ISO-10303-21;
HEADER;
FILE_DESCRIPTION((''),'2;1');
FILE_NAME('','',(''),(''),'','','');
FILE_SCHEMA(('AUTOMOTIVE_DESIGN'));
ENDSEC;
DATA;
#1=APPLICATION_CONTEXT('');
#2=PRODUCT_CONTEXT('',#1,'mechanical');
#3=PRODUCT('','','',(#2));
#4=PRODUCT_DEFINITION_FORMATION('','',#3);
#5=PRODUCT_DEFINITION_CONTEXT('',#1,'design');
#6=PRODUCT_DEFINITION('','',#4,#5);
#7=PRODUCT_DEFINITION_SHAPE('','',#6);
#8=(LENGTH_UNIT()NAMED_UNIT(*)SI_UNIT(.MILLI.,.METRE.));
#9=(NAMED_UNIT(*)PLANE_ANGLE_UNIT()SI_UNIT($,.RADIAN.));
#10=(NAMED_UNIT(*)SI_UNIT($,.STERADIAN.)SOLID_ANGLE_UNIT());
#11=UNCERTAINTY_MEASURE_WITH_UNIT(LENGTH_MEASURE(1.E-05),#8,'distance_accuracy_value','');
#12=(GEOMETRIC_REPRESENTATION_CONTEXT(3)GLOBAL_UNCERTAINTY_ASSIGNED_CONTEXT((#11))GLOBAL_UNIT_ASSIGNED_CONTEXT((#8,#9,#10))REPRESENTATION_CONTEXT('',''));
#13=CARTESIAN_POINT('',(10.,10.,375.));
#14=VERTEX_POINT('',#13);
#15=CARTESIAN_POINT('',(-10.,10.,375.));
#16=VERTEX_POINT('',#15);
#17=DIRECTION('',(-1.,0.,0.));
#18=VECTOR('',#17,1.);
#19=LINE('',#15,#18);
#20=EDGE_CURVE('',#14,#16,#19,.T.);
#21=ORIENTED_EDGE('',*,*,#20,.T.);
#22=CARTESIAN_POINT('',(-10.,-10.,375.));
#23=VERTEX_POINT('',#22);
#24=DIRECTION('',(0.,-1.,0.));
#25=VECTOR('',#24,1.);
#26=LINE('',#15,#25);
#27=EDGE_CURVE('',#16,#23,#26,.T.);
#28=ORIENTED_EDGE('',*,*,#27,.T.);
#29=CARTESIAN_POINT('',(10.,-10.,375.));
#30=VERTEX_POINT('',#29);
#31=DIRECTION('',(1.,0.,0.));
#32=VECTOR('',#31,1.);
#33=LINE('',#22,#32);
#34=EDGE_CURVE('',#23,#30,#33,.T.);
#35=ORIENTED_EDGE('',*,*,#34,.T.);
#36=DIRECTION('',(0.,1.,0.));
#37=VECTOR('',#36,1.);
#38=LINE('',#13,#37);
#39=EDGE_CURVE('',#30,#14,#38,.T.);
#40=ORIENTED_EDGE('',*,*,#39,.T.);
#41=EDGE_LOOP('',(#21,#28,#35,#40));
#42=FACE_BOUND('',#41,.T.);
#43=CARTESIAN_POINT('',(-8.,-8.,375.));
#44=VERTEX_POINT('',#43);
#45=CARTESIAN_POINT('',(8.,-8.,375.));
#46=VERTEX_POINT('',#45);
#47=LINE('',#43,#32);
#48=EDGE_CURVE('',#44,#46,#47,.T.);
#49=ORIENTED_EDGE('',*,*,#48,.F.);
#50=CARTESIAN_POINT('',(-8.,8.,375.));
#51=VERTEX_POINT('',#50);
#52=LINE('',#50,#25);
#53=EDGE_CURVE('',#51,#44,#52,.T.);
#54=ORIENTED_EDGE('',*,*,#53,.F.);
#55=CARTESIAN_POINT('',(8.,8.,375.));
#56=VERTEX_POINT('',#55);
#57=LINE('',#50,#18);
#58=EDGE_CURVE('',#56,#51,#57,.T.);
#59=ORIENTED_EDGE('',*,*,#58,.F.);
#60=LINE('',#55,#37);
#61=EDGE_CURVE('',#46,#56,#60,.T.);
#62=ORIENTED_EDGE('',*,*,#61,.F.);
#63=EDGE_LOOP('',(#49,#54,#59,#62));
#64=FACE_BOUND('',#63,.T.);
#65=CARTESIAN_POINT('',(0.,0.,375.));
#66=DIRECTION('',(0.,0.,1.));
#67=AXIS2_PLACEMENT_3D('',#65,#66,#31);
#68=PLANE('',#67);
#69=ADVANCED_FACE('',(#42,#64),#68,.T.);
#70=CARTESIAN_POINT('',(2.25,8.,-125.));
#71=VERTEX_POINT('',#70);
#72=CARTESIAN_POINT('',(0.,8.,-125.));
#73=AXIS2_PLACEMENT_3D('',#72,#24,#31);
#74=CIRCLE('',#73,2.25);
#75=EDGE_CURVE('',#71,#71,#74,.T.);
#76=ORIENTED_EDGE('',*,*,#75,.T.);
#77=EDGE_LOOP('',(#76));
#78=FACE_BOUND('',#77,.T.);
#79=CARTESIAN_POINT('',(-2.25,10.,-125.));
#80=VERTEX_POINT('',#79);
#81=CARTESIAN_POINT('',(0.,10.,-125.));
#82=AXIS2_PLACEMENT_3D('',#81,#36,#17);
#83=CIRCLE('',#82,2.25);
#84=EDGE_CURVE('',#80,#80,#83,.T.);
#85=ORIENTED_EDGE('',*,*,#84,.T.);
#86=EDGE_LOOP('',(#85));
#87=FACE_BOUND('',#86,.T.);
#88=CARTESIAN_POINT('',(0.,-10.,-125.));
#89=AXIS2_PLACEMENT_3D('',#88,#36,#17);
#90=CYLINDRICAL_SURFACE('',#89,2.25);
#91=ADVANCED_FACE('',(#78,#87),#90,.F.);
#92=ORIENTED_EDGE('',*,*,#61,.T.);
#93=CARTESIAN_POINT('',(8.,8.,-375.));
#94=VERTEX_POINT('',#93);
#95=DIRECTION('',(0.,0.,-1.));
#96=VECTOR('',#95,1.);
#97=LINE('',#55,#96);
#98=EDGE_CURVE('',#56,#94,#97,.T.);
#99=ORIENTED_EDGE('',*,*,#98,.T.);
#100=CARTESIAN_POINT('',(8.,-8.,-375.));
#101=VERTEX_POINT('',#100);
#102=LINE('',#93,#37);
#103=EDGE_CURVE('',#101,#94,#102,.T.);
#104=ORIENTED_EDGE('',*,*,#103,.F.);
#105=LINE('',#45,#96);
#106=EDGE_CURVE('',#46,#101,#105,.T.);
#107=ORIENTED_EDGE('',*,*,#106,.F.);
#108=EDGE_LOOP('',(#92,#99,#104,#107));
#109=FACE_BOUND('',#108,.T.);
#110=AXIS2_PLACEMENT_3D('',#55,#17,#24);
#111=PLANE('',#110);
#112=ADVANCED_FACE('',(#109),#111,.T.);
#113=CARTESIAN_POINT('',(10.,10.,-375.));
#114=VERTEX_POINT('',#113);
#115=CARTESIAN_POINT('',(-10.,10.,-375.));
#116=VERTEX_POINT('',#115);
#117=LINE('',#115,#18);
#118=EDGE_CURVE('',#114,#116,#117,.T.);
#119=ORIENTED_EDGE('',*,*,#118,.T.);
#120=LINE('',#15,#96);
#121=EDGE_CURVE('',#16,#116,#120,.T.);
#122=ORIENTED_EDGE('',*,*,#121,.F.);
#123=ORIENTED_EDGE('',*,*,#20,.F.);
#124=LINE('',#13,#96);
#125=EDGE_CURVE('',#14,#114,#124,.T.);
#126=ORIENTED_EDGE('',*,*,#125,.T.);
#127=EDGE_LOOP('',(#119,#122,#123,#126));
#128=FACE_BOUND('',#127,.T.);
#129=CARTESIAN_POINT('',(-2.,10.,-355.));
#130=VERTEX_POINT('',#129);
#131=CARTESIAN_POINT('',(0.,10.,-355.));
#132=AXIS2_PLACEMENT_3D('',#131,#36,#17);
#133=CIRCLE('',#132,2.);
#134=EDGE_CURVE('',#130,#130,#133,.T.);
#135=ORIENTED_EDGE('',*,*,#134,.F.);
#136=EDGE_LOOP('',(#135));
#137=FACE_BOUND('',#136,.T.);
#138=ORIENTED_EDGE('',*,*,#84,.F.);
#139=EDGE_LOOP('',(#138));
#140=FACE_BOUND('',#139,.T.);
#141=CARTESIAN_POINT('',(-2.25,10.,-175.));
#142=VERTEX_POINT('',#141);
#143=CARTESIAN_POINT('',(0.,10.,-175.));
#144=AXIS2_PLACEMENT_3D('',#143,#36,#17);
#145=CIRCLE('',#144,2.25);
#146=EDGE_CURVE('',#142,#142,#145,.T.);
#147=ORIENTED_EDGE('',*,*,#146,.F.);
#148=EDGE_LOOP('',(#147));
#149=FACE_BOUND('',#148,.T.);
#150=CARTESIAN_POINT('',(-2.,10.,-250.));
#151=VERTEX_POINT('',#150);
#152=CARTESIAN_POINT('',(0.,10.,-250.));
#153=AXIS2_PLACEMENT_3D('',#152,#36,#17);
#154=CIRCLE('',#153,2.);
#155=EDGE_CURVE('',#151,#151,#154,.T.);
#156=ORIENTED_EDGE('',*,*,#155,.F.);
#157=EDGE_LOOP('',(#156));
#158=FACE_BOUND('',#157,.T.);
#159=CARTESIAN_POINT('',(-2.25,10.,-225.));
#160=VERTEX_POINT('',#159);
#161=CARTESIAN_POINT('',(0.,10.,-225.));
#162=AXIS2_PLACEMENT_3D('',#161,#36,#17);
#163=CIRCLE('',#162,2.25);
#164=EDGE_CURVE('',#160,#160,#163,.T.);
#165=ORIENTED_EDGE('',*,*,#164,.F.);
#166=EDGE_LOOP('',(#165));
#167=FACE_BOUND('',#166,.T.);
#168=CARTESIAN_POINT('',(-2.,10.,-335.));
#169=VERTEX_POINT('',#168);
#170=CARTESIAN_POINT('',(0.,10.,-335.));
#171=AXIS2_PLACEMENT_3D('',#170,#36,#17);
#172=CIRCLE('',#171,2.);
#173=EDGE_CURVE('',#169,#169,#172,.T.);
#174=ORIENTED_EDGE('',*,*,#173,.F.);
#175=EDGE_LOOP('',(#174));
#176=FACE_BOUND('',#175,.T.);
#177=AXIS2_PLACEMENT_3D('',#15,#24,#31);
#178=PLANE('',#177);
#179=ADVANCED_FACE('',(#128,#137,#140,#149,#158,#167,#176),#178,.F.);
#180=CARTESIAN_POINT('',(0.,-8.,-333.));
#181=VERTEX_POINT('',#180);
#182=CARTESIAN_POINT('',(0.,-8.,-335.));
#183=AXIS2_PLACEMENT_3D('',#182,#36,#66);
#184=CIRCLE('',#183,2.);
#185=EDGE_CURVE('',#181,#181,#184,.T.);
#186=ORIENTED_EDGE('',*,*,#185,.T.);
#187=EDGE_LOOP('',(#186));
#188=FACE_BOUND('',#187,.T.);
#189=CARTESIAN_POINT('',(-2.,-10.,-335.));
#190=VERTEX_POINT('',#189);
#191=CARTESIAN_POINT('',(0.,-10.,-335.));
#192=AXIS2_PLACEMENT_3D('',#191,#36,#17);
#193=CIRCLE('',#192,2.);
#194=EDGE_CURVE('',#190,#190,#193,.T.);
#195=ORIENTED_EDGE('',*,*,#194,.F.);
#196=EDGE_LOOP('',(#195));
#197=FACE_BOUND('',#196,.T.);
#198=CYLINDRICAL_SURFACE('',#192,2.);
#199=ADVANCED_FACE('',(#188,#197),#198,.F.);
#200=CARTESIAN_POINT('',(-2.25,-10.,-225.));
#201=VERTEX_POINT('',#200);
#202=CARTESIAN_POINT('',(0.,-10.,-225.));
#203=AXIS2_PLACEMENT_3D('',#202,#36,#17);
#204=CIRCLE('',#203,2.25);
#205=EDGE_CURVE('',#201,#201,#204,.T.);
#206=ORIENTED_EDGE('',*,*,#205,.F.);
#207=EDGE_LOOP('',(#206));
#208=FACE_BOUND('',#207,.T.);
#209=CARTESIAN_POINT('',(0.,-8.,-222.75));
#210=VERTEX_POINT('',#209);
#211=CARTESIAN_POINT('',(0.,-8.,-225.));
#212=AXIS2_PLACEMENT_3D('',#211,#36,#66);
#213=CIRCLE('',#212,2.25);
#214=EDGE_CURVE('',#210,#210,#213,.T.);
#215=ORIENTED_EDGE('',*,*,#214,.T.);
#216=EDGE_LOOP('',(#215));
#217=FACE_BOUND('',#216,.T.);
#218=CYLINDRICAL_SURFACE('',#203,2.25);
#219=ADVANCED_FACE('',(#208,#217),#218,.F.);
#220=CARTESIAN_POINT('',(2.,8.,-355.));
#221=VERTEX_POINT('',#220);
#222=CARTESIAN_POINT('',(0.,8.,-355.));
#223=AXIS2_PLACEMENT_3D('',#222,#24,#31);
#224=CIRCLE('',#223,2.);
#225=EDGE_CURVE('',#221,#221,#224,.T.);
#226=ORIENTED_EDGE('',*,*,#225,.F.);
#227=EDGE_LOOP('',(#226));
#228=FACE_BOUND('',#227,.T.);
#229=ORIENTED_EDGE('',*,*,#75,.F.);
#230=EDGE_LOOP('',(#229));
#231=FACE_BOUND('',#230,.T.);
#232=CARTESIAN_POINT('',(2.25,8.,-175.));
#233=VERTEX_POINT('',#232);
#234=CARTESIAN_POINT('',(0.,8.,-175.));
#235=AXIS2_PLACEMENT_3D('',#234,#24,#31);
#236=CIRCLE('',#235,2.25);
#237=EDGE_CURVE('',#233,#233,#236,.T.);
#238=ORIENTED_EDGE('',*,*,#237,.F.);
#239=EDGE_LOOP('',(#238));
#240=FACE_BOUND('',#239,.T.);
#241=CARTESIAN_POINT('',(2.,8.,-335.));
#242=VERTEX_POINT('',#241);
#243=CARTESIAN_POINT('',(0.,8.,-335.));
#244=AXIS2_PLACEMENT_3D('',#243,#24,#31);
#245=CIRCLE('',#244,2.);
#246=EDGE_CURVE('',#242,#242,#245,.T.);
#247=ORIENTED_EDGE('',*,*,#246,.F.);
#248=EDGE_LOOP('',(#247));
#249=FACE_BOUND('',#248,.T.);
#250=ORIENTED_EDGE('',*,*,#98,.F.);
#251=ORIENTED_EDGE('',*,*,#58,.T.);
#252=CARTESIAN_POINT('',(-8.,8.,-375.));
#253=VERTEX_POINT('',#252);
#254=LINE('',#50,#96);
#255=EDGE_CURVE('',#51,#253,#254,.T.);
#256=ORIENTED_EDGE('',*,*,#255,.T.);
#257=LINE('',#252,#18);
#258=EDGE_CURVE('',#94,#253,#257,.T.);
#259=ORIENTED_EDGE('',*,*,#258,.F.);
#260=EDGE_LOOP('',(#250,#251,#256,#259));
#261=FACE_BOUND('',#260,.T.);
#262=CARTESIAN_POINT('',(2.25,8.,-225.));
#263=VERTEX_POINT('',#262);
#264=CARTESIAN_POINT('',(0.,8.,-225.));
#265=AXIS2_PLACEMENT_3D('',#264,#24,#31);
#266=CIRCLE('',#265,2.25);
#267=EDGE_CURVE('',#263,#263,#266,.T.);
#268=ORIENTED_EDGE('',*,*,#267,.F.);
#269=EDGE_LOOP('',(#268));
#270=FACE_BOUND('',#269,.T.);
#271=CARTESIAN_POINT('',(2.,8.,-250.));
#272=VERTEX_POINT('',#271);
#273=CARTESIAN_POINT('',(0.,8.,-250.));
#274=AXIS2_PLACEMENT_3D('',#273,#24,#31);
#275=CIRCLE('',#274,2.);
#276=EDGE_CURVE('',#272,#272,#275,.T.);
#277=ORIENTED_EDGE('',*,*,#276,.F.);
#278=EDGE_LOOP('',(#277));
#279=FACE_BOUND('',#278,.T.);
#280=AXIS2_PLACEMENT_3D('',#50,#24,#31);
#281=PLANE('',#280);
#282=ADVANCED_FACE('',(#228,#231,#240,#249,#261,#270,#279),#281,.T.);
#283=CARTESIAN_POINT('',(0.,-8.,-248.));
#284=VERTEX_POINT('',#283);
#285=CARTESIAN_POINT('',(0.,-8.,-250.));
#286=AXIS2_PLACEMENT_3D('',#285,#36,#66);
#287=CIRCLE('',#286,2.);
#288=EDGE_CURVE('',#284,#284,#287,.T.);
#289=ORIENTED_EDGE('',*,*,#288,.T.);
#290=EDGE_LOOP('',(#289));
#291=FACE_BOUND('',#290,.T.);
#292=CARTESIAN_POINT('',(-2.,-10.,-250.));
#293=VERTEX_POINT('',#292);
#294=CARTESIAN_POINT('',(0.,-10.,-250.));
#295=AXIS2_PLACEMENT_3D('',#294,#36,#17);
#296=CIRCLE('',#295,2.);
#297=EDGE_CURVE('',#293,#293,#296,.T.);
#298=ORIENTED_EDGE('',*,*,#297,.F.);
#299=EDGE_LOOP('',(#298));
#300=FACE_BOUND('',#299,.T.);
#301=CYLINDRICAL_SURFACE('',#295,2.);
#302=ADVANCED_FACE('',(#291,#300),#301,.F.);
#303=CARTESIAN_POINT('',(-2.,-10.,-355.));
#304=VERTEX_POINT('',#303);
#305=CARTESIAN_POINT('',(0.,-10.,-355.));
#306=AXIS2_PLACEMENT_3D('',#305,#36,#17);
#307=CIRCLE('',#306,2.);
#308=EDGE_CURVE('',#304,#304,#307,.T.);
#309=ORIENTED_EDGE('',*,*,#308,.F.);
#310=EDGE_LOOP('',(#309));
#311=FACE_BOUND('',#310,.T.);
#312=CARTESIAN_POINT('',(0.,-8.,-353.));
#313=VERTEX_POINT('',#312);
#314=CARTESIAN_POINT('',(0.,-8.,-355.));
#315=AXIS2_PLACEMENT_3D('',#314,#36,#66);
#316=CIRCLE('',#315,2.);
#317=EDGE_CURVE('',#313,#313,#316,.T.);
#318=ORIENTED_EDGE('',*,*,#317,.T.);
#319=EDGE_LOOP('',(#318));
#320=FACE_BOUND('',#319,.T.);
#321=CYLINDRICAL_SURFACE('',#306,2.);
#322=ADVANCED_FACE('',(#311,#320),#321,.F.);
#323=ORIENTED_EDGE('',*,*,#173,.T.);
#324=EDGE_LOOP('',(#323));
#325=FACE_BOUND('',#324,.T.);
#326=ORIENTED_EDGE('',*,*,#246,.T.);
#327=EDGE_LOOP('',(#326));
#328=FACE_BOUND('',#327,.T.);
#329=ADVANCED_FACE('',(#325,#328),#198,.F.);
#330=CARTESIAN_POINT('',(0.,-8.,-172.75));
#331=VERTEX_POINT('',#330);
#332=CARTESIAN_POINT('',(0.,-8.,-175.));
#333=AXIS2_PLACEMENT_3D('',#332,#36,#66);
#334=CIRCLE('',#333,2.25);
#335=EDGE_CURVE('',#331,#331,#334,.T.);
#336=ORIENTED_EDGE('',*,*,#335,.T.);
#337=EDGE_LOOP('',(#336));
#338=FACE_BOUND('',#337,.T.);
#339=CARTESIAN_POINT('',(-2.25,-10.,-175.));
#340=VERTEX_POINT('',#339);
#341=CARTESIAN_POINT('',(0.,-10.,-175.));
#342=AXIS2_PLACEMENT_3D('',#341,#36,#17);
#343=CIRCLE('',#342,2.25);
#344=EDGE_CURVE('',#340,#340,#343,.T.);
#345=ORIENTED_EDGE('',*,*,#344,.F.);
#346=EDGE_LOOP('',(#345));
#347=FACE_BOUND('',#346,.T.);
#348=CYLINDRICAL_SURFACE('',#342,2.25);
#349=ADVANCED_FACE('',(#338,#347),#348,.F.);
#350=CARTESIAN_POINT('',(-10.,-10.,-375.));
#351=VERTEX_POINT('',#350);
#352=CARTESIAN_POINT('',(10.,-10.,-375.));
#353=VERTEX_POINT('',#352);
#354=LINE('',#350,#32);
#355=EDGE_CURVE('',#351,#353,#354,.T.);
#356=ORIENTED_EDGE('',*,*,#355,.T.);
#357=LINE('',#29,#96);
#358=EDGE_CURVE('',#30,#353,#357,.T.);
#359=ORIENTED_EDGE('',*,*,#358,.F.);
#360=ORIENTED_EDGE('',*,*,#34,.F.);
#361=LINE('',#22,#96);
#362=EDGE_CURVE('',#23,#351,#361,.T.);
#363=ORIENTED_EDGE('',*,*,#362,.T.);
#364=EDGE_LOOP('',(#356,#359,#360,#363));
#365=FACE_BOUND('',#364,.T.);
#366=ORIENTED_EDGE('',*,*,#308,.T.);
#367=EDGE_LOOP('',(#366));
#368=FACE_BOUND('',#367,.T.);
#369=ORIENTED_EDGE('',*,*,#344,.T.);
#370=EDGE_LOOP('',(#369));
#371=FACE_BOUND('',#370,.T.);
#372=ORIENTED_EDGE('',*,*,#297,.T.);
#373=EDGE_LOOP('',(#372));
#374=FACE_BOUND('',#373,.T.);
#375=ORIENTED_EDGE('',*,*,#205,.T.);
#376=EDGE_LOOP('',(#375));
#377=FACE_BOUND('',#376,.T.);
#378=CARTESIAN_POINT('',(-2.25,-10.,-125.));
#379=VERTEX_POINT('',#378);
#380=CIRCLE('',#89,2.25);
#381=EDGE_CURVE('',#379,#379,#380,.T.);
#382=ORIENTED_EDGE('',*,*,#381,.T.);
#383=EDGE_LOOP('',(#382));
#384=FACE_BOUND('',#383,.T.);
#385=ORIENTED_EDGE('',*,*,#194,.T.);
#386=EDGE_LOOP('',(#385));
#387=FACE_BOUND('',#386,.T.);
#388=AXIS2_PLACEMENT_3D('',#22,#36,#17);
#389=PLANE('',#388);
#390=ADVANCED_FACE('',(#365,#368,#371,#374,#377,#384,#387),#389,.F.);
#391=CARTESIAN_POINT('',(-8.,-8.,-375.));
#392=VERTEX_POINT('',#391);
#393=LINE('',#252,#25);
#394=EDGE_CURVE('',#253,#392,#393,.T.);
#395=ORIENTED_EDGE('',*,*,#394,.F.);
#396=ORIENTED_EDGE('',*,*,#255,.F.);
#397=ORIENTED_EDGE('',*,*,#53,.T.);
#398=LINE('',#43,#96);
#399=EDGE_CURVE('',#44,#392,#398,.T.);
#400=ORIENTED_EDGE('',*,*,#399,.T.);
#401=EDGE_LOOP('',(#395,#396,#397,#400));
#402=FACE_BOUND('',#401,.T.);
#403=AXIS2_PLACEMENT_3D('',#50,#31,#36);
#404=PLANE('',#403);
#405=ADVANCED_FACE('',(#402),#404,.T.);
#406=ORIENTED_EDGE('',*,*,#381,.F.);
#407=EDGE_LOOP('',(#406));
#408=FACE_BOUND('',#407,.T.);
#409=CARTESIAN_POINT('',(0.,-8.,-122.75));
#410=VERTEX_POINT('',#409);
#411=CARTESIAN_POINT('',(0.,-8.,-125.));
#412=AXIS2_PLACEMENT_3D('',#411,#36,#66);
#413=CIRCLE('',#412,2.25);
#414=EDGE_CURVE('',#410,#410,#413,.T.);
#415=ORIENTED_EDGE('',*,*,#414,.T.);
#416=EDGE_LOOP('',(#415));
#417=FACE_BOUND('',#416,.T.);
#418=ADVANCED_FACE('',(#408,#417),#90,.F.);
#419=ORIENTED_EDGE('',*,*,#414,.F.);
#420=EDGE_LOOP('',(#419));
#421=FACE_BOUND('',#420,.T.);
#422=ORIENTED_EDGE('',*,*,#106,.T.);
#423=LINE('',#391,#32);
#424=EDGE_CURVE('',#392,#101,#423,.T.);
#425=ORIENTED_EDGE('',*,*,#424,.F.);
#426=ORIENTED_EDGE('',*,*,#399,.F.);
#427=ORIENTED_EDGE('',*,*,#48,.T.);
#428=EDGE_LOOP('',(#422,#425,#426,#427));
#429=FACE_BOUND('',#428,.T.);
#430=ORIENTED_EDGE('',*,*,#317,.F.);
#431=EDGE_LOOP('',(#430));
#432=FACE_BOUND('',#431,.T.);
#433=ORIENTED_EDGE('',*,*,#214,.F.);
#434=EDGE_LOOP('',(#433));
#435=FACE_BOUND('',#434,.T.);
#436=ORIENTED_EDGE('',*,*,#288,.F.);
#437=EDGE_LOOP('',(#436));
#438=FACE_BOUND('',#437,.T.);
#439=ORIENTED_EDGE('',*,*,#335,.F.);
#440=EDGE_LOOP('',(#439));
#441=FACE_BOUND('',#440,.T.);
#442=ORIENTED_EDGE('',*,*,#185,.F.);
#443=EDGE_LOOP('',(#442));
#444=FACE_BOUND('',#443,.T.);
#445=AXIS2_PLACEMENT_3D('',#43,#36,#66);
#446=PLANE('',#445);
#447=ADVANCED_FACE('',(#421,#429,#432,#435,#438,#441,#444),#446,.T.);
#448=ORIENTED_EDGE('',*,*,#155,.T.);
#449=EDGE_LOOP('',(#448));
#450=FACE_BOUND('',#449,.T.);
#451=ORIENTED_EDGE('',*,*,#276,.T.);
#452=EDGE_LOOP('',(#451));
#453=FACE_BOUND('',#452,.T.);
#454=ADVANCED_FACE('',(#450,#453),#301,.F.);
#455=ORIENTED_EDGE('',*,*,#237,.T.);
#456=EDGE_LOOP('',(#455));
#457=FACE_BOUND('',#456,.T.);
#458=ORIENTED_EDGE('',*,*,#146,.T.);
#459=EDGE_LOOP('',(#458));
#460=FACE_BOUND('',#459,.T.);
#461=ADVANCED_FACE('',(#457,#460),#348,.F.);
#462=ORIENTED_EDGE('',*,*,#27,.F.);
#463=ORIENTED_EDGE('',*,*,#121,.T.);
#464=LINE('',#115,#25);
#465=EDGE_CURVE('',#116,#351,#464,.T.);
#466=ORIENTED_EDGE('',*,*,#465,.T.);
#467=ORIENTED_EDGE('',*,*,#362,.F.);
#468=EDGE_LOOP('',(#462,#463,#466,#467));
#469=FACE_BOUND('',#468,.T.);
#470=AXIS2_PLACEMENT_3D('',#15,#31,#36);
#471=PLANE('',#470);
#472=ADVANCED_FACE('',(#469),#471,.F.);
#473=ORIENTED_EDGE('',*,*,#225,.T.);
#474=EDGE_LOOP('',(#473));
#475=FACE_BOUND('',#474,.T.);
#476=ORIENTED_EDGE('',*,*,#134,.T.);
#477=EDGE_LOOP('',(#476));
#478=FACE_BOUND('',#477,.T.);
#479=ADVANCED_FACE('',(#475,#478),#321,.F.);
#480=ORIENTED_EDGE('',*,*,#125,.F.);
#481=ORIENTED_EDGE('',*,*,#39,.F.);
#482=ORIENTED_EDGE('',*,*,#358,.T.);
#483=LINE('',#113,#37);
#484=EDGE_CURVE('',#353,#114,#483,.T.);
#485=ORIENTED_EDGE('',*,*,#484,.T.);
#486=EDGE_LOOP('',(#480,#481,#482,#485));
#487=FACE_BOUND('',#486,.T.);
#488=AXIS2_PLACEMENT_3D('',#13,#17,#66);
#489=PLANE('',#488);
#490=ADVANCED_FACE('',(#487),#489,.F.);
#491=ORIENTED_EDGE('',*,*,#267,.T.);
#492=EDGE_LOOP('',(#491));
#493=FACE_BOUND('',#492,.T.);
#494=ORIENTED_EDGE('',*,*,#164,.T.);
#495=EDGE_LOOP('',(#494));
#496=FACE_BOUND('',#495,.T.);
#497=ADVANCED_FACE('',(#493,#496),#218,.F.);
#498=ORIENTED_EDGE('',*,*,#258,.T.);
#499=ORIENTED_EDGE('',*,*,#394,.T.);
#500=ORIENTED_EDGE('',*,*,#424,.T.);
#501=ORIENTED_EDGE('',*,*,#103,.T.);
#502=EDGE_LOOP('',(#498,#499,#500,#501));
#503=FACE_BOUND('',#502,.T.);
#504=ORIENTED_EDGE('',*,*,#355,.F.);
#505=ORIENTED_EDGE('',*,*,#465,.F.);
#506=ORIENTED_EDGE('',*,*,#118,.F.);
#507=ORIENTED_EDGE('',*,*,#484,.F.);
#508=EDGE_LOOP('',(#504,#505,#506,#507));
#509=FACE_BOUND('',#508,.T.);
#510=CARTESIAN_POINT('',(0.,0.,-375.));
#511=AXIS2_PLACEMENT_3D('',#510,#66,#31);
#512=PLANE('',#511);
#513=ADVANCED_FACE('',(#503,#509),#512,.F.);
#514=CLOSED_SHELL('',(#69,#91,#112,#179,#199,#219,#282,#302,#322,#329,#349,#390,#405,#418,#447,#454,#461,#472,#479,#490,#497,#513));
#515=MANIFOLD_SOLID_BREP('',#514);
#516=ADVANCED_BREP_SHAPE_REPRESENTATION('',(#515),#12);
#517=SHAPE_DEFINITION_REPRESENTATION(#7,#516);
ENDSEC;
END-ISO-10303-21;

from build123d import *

# Parameters (mm, degrees)
SKETCH_1_W          = 20
SKETCH_1_H          = 20
SKETCH_1_W_2        = 16
SKETCH_1_H_2        = 16
EXTRUDE_1_DEPTH     = 375
SKETCH_2_R          = 2
CUT_EXTRUDE_1_DEPTH = 376.666075125
SKETCH_3_R          = 2.25
CUT_EXTRUDE_2_DEPTH = 376.666075125


with BuildPart() as part:
    # 草图1 → 凸台-拉伸1 (new, symmetric)
    with BuildSketch(Plane.XY):
        Rectangle(SKETCH_1_W, SKETCH_1_H)
        Rectangle(SKETCH_1_W_2, SKETCH_1_H_2, mode=Mode.SUBTRACT)
    extrude(amount=EXTRUDE_1_DEPTH, both=True)

    # 草图2 → 切除-拉伸1 (cut, through all)
    with BuildSketch(Plane(origin=(0, 10, 0), x_dir=(1, 0, 0), z_dir=(0, 1, 0))):
        with Locations((0, 385)):
            Circle(SKETCH_2_R)
        with Locations(Location((0, 355, 0), (0, 0, 180))):
            Circle(SKETCH_2_R)
        with Locations(Location((0, 250, 0), (0, 0, 180))):
            Circle(SKETCH_2_R)
        with Locations(Location((0, 335, 0), (0, 0, 180))):
            Circle(SKETCH_2_R)
    extrude(amount=-CUT_EXTRUDE_1_DEPTH, mode=Mode.SUBTRACT)

    # 草图3 → 切除-拉伸2 (cut, through all)
    with BuildSketch(Plane(origin=(0, 10, 0), x_dir=(1, 0, 0), z_dir=(0, 1, 0))):
        with Locations(Location((0, 125, 0), (0, 0, 180))):
            Circle(SKETCH_3_R)
        with Locations(Location((0, 175, 0), (0, 0, 180))):
            Circle(SKETCH_3_R)
        with Locations(Location((0, 225, 0), (0, 0, 180))):
            Circle(SKETCH_3_R)
    extrude(amount=-CUT_EXTRUDE_2_DEPTH, mode=Mode.SUBTRACT)


solid = part.part
